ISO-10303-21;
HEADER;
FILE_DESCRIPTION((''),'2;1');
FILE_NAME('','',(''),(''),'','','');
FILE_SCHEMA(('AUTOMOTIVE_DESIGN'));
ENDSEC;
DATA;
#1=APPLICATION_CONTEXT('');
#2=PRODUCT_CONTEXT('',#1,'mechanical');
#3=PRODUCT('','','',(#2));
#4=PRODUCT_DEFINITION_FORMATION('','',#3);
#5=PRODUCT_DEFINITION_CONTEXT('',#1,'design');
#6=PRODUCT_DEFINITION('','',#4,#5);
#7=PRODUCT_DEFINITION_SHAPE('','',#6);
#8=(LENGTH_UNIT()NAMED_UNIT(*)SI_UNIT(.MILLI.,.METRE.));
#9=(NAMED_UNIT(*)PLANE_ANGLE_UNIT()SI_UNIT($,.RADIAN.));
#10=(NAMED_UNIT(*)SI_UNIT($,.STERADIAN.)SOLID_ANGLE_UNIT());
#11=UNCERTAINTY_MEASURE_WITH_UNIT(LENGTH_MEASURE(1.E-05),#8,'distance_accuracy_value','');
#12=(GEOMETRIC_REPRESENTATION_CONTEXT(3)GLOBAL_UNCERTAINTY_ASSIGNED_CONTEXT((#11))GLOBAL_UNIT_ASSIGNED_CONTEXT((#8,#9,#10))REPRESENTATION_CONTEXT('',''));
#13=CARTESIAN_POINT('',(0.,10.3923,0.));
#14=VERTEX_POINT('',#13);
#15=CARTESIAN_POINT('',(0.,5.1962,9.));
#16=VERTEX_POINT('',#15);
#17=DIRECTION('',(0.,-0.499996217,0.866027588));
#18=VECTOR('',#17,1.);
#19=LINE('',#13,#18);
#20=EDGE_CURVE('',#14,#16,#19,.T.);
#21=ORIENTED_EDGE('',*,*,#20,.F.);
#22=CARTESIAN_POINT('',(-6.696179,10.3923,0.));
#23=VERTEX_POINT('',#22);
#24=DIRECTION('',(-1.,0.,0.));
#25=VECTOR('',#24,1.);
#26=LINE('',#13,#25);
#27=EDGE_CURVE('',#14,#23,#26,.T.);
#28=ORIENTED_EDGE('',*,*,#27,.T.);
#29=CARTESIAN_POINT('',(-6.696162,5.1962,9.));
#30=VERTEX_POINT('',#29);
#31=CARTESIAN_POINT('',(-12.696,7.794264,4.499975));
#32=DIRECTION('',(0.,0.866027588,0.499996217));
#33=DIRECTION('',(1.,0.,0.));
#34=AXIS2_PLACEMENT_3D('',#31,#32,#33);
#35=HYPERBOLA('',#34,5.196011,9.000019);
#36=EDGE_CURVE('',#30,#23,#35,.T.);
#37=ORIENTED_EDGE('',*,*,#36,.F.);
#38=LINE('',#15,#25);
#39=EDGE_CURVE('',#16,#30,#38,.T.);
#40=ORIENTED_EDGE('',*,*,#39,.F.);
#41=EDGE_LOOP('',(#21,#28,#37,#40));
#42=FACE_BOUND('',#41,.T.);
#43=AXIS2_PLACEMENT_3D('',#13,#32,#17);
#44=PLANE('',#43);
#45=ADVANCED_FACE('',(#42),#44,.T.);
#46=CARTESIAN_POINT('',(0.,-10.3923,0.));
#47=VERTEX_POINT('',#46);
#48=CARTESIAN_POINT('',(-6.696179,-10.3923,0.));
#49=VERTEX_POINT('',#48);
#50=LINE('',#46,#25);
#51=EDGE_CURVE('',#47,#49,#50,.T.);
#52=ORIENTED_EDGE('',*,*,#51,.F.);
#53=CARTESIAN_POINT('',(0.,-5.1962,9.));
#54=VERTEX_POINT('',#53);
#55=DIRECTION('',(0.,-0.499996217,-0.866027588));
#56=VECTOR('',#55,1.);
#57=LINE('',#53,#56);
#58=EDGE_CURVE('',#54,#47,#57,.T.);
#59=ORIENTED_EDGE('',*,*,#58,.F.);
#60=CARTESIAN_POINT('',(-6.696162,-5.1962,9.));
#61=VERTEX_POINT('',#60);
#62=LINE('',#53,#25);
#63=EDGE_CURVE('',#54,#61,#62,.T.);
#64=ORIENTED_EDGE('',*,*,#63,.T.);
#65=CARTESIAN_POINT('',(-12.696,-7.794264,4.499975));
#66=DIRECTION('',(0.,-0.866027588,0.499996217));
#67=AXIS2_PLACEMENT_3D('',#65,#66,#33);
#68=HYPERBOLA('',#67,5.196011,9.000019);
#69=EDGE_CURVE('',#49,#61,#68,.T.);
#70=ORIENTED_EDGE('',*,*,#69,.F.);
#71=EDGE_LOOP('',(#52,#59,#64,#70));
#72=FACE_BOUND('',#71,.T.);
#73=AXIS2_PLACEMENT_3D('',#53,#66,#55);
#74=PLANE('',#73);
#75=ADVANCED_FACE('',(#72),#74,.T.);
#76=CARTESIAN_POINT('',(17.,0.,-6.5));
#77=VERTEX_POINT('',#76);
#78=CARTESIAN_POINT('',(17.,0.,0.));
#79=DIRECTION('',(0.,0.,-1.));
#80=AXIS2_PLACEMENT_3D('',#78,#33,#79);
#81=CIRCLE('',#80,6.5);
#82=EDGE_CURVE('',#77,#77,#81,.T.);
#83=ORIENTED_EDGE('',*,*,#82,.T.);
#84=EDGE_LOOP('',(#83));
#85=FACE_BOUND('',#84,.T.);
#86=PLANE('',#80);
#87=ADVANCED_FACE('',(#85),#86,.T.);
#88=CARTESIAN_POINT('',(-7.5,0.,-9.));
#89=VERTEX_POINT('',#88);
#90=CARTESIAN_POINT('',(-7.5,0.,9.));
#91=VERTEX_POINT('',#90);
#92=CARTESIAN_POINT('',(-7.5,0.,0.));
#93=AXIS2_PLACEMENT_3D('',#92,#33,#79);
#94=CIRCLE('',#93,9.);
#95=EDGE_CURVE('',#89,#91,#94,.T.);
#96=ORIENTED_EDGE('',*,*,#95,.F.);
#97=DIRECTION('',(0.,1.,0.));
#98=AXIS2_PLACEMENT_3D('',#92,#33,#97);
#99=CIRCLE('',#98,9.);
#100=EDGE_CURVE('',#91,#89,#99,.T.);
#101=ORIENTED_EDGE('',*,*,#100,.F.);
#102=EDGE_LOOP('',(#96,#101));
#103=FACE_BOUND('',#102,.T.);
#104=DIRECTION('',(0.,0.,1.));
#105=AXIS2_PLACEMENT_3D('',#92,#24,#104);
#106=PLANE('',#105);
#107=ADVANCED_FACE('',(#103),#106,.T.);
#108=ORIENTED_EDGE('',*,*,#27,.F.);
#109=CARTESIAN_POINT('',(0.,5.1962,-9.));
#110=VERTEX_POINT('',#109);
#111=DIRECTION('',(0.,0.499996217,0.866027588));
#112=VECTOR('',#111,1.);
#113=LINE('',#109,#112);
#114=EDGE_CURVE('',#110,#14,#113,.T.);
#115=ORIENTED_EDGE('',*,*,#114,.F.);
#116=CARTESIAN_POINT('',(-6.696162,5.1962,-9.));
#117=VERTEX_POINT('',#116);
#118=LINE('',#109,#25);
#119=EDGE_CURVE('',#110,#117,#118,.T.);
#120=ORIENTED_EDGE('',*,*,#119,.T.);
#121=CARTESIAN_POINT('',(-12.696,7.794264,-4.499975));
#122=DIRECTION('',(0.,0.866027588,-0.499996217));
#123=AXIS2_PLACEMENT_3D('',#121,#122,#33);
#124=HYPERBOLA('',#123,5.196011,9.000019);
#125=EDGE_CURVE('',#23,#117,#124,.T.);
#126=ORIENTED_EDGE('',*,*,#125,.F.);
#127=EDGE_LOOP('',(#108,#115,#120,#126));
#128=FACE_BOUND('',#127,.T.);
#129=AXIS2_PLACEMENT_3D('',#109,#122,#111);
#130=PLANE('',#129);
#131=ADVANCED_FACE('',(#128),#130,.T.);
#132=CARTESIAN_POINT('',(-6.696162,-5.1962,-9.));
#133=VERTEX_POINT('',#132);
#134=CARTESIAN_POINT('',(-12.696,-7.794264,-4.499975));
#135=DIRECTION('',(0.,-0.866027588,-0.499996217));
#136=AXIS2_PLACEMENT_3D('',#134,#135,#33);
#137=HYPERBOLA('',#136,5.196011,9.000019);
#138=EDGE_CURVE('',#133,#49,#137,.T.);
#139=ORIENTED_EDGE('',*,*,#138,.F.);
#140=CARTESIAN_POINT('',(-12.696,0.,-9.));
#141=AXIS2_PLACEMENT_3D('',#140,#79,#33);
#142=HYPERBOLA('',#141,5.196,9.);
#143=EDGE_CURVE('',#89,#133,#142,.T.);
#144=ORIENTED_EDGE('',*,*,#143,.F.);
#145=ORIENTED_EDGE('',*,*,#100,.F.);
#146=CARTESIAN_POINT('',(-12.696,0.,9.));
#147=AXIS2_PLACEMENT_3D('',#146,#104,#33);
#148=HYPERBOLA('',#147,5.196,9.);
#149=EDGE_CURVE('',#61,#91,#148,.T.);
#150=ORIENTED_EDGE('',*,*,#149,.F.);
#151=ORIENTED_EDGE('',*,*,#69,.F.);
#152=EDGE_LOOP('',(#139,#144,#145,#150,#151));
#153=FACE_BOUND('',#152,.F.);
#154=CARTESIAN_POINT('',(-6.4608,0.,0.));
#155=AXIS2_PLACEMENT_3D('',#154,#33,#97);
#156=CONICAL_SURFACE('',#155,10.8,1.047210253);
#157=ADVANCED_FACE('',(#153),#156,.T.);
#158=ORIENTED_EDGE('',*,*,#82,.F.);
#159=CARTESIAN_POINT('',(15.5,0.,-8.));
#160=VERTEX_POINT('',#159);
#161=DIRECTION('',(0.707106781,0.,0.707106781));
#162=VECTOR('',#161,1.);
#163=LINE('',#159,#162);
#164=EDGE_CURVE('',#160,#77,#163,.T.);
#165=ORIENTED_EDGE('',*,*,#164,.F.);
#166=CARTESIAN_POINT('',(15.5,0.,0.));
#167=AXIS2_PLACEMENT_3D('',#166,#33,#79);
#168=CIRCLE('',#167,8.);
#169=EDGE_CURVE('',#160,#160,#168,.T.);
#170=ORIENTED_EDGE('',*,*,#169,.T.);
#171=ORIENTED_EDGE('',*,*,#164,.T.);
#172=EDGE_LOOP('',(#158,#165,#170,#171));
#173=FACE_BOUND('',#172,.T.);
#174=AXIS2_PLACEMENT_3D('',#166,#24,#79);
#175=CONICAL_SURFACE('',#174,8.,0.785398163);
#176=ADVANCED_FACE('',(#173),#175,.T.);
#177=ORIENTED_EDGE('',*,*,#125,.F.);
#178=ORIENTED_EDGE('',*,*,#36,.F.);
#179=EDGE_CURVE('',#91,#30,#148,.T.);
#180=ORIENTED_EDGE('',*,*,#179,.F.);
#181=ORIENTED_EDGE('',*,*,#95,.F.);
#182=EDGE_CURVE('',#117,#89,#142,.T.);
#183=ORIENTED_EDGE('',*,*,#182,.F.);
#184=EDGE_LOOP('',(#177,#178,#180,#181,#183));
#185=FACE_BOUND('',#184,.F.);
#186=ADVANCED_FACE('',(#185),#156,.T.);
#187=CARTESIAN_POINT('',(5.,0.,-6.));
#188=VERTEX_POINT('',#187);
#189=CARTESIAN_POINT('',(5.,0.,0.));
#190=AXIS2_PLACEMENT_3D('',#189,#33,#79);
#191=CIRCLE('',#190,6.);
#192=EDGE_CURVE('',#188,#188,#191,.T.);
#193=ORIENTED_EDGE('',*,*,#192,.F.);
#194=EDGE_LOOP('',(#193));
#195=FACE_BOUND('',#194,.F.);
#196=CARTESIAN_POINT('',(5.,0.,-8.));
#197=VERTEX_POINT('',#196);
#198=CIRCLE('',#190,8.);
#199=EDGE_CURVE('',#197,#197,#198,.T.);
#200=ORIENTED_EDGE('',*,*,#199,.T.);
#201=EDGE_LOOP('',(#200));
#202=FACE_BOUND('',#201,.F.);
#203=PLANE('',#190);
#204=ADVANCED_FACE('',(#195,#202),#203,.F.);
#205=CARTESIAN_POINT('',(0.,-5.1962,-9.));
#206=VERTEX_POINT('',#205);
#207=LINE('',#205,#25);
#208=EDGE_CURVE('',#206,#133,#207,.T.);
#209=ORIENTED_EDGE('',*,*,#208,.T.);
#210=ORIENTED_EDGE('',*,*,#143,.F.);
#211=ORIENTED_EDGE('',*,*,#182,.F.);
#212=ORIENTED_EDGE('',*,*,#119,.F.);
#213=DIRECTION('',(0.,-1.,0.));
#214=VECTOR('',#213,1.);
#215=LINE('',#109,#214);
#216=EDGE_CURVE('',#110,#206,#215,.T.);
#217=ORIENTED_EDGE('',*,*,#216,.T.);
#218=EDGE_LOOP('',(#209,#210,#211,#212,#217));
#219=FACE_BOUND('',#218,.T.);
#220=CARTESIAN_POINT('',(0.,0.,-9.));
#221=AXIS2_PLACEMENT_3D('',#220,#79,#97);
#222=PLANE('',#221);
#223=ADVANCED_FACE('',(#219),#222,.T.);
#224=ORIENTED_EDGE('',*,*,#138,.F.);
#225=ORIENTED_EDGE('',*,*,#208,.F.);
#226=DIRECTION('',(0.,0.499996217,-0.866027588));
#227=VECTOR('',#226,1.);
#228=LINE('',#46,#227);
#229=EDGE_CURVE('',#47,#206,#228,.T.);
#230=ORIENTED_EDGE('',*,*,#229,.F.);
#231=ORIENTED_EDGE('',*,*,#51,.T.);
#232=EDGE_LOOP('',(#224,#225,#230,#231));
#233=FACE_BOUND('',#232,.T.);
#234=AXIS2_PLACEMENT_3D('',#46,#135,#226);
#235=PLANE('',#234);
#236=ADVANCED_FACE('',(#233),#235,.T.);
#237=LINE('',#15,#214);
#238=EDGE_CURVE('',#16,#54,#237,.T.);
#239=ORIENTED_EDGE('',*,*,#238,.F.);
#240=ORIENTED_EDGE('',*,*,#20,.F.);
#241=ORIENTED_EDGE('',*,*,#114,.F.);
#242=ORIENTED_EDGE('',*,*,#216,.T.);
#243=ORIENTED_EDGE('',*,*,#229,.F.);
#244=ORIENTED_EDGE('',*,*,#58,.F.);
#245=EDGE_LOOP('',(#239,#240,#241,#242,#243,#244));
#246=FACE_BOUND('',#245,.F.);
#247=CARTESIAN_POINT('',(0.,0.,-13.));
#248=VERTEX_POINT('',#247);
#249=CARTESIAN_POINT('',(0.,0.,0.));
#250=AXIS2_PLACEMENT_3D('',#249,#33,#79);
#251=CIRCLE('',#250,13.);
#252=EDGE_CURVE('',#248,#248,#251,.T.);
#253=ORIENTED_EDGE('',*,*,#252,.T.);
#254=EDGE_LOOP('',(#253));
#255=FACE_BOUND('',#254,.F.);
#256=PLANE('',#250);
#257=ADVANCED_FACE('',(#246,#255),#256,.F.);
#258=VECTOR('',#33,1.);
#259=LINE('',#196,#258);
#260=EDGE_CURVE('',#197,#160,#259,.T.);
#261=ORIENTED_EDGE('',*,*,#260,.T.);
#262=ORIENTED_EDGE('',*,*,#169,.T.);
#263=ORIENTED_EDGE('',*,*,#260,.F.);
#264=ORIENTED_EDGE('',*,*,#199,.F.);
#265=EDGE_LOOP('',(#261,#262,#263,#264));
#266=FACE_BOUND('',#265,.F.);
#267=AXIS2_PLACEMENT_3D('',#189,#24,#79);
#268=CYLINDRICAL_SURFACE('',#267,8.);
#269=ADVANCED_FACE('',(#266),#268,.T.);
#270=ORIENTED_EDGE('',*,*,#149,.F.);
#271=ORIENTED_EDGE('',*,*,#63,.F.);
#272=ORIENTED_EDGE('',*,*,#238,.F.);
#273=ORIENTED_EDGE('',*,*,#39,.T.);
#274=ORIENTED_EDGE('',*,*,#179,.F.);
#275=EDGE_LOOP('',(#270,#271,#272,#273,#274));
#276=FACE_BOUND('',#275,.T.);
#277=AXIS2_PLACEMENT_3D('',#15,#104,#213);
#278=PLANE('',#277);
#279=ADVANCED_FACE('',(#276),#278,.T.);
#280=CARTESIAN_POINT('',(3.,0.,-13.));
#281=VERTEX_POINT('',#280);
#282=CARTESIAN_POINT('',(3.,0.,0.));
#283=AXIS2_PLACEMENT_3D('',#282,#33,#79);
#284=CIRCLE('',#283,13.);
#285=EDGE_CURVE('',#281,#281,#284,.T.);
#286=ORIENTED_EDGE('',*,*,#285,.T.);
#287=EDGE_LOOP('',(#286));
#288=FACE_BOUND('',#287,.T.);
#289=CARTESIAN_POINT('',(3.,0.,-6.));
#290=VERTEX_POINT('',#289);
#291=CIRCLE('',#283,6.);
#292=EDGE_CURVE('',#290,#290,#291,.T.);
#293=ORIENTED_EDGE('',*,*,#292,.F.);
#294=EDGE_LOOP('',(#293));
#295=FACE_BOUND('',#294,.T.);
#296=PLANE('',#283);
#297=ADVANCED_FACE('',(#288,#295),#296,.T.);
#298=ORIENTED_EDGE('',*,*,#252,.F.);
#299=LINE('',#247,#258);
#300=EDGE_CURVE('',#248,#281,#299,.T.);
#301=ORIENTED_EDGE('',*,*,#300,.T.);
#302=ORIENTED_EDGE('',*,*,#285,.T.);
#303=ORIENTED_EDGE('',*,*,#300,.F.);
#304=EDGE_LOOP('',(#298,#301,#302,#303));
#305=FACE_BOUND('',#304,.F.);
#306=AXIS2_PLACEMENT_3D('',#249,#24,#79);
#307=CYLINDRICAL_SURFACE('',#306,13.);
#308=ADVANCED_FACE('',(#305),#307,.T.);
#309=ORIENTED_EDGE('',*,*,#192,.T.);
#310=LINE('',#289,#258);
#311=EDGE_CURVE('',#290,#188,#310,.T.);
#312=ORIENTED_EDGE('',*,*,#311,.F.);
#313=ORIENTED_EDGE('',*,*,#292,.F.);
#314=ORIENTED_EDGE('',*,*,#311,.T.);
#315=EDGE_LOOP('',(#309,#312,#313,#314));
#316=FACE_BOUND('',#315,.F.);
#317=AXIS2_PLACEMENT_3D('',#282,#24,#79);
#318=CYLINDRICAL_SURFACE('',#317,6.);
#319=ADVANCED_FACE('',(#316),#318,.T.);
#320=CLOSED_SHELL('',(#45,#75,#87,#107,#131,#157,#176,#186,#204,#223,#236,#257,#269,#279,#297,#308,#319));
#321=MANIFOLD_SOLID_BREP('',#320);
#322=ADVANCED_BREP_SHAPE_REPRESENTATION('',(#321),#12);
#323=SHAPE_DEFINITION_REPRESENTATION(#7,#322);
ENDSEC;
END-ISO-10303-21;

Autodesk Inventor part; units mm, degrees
ref_plane "YZ Plane" through (0, 0, 0) normal (1, 0, 0) x (0, 1, 0)
sketch "草图1" plane through (0, 0, 0) normal (0, 0, 1) x (1, 0, 0)
  line L0 (0, 6) -> (45, 6)
  line L1 (45, 6) -> (45, 0)
  line L2 (45, 0) -> (0, 0)
  line L3 (-9, 0) -> (54, 0) projected
  line L4 (0, -1.2) -> (0, 7.2) projected
  line L5 (0, 6) -> (0, 0)
  dimension "d2" = 12
  dimension "d59" = 45
ref_plane "工作平面2" through (0, 0, 0) normal (-1, 0, 0) x (0, 0, 1)
sketch "草图2" plane through (0, 0, 0) normal (-1, 0, 0) x (0, 0, 1)
  line L0 (0, 10.3923) -> (9, 5.1962)
  line L1 (9, 5.1962) -> (9, -5.1962)
  line L2 (9, -5.1962) -> (0, -10.3923)
  line L3 (0, -10.3923) -> (-9, -5.1962)
  line L4 (-9, -5.1962) -> (-9, 5.1962)
  line L5 (-9, 5.1962) -> (0, 10.3923)
  line L6 (-12.6, 0) -> (12.6, 0) projected
  line L7 (0, 14.5492) -> (0, -14.5492) projected
  point P0 (0, 0)
  point P1 (0, 0)
  dimension "d11" = 18
extrude "头" add sketch "草图2" along normal blind 7.5
sketch "草图4" plane through (0, 0, 0) normal (0, 0, 1) x (1, 0, 0)
  line L0 (-6.4608, 10.8) -> (-7.5, 9)
  line L1 (-1.1, 0) -> (-0.234, 0)
  line L2 (-18, 0) -> (55.5, 0) projected
  line L3 (-7.5, 10.8) -> (-6.4608, 10.8)
  line L4 (-7.5, 9) -> (-7.5, 10.8)
  line L5 (0, 12.96) -> (0, -2.16) projected
  dimension "d65" = 18
  dimension "d67" = 30
  dimension "d68" = 21.6
  dimension "d69" = 7.5
revolve "倒角1" cut sketch "草图4" angle 360 about axis through (-1.1, 0, 0) along (1, 0, 0)
ref_plane "Work Plane1" through (1.525, 0, 0) normal (0, 0, 1) x (1, 0, 0)
sketch "草图7" plane through (0, 0, 0) normal (1, 0, 0) x (0, 0, -1)
  circle A0 centre (0, 0) radius 13
  dimension "d74" = 26
extrude "拉伸5" add sketch "草图7" along normal blind 3
sketch "草图8" plane through (3, 0, 0) normal (1, 0, 0) x (0, 0, -1)
  circle A0 centre (0, 0) radius 13 projected
  circle A1 centre (0, 0) radius 6
  dimension "d77" = 12
extrude "拉伸6" add sketch "草图8" along normal blind 2 contours A1
sketch "草图9" plane through (5, 0, 0) normal (1, 0, 0) x (0, 0, -1)
  circle A0 centre (0, 0) radius 8
  dimension "d80" = 16
extrude "拉伸7" add sketch "草图9" along normal blind 12
chamfer "倒角2" distance 1.5 angle 45 1 edges at (17, 0, 8)
thread "螺纹3" size "M16x1.5" class "6g" standard "GB Metric profile" length 20
equation "\"d2\" = GD"
equation "\"d59\" = NLG"
equation "\"d11\" = SW"
equation "\"d3\" = KOH"
equation "\"d65\" = SW"
equation "\"d67\" = ANG1"
equation "\"d68\" = 1.2 * SW"
equation "\"d69\" = KOH"
equation "\"NLG\" = 45"
equation "\"GD\" = NND"
equation "\"BDM\" = NND"
equation "\"KOH\" = 7.5"
equation "\"SW\" = 18"
equation "\"SW0\" = SW"
equation "\"SPD\" = NND - 1.2269 * PTC"
equation "\"SD2\" = NND"
equation "\"SD\" = 0"
equation "\"ANG1\" = 30deg"
equation "\"GAL\" = 0.61345 * PTC"
equation "\"GUL\" = 0.61345 * PTC"
equation "\"RR\" = 0.6"
equation "\"RR1\" = 0.1"
equation "\"WFT\" = 0"
equation "\"GD1\" = THREADDIA - 1.2269 * PTC"
equation "\"THREADDIA\" = 12"
equation "\"SDH\" = SW"
equation "\"TOA\" = 30deg"
equation "\"FAWI\" = 90deg"
equation "\"PTC\" = 1.75"
equation "\"NND\" = 12"
equation "\"E0\" = 1.155 * SW"
properties part number "六角螺栓 GB/T 5780 M12 x 45" material "钢，软"
